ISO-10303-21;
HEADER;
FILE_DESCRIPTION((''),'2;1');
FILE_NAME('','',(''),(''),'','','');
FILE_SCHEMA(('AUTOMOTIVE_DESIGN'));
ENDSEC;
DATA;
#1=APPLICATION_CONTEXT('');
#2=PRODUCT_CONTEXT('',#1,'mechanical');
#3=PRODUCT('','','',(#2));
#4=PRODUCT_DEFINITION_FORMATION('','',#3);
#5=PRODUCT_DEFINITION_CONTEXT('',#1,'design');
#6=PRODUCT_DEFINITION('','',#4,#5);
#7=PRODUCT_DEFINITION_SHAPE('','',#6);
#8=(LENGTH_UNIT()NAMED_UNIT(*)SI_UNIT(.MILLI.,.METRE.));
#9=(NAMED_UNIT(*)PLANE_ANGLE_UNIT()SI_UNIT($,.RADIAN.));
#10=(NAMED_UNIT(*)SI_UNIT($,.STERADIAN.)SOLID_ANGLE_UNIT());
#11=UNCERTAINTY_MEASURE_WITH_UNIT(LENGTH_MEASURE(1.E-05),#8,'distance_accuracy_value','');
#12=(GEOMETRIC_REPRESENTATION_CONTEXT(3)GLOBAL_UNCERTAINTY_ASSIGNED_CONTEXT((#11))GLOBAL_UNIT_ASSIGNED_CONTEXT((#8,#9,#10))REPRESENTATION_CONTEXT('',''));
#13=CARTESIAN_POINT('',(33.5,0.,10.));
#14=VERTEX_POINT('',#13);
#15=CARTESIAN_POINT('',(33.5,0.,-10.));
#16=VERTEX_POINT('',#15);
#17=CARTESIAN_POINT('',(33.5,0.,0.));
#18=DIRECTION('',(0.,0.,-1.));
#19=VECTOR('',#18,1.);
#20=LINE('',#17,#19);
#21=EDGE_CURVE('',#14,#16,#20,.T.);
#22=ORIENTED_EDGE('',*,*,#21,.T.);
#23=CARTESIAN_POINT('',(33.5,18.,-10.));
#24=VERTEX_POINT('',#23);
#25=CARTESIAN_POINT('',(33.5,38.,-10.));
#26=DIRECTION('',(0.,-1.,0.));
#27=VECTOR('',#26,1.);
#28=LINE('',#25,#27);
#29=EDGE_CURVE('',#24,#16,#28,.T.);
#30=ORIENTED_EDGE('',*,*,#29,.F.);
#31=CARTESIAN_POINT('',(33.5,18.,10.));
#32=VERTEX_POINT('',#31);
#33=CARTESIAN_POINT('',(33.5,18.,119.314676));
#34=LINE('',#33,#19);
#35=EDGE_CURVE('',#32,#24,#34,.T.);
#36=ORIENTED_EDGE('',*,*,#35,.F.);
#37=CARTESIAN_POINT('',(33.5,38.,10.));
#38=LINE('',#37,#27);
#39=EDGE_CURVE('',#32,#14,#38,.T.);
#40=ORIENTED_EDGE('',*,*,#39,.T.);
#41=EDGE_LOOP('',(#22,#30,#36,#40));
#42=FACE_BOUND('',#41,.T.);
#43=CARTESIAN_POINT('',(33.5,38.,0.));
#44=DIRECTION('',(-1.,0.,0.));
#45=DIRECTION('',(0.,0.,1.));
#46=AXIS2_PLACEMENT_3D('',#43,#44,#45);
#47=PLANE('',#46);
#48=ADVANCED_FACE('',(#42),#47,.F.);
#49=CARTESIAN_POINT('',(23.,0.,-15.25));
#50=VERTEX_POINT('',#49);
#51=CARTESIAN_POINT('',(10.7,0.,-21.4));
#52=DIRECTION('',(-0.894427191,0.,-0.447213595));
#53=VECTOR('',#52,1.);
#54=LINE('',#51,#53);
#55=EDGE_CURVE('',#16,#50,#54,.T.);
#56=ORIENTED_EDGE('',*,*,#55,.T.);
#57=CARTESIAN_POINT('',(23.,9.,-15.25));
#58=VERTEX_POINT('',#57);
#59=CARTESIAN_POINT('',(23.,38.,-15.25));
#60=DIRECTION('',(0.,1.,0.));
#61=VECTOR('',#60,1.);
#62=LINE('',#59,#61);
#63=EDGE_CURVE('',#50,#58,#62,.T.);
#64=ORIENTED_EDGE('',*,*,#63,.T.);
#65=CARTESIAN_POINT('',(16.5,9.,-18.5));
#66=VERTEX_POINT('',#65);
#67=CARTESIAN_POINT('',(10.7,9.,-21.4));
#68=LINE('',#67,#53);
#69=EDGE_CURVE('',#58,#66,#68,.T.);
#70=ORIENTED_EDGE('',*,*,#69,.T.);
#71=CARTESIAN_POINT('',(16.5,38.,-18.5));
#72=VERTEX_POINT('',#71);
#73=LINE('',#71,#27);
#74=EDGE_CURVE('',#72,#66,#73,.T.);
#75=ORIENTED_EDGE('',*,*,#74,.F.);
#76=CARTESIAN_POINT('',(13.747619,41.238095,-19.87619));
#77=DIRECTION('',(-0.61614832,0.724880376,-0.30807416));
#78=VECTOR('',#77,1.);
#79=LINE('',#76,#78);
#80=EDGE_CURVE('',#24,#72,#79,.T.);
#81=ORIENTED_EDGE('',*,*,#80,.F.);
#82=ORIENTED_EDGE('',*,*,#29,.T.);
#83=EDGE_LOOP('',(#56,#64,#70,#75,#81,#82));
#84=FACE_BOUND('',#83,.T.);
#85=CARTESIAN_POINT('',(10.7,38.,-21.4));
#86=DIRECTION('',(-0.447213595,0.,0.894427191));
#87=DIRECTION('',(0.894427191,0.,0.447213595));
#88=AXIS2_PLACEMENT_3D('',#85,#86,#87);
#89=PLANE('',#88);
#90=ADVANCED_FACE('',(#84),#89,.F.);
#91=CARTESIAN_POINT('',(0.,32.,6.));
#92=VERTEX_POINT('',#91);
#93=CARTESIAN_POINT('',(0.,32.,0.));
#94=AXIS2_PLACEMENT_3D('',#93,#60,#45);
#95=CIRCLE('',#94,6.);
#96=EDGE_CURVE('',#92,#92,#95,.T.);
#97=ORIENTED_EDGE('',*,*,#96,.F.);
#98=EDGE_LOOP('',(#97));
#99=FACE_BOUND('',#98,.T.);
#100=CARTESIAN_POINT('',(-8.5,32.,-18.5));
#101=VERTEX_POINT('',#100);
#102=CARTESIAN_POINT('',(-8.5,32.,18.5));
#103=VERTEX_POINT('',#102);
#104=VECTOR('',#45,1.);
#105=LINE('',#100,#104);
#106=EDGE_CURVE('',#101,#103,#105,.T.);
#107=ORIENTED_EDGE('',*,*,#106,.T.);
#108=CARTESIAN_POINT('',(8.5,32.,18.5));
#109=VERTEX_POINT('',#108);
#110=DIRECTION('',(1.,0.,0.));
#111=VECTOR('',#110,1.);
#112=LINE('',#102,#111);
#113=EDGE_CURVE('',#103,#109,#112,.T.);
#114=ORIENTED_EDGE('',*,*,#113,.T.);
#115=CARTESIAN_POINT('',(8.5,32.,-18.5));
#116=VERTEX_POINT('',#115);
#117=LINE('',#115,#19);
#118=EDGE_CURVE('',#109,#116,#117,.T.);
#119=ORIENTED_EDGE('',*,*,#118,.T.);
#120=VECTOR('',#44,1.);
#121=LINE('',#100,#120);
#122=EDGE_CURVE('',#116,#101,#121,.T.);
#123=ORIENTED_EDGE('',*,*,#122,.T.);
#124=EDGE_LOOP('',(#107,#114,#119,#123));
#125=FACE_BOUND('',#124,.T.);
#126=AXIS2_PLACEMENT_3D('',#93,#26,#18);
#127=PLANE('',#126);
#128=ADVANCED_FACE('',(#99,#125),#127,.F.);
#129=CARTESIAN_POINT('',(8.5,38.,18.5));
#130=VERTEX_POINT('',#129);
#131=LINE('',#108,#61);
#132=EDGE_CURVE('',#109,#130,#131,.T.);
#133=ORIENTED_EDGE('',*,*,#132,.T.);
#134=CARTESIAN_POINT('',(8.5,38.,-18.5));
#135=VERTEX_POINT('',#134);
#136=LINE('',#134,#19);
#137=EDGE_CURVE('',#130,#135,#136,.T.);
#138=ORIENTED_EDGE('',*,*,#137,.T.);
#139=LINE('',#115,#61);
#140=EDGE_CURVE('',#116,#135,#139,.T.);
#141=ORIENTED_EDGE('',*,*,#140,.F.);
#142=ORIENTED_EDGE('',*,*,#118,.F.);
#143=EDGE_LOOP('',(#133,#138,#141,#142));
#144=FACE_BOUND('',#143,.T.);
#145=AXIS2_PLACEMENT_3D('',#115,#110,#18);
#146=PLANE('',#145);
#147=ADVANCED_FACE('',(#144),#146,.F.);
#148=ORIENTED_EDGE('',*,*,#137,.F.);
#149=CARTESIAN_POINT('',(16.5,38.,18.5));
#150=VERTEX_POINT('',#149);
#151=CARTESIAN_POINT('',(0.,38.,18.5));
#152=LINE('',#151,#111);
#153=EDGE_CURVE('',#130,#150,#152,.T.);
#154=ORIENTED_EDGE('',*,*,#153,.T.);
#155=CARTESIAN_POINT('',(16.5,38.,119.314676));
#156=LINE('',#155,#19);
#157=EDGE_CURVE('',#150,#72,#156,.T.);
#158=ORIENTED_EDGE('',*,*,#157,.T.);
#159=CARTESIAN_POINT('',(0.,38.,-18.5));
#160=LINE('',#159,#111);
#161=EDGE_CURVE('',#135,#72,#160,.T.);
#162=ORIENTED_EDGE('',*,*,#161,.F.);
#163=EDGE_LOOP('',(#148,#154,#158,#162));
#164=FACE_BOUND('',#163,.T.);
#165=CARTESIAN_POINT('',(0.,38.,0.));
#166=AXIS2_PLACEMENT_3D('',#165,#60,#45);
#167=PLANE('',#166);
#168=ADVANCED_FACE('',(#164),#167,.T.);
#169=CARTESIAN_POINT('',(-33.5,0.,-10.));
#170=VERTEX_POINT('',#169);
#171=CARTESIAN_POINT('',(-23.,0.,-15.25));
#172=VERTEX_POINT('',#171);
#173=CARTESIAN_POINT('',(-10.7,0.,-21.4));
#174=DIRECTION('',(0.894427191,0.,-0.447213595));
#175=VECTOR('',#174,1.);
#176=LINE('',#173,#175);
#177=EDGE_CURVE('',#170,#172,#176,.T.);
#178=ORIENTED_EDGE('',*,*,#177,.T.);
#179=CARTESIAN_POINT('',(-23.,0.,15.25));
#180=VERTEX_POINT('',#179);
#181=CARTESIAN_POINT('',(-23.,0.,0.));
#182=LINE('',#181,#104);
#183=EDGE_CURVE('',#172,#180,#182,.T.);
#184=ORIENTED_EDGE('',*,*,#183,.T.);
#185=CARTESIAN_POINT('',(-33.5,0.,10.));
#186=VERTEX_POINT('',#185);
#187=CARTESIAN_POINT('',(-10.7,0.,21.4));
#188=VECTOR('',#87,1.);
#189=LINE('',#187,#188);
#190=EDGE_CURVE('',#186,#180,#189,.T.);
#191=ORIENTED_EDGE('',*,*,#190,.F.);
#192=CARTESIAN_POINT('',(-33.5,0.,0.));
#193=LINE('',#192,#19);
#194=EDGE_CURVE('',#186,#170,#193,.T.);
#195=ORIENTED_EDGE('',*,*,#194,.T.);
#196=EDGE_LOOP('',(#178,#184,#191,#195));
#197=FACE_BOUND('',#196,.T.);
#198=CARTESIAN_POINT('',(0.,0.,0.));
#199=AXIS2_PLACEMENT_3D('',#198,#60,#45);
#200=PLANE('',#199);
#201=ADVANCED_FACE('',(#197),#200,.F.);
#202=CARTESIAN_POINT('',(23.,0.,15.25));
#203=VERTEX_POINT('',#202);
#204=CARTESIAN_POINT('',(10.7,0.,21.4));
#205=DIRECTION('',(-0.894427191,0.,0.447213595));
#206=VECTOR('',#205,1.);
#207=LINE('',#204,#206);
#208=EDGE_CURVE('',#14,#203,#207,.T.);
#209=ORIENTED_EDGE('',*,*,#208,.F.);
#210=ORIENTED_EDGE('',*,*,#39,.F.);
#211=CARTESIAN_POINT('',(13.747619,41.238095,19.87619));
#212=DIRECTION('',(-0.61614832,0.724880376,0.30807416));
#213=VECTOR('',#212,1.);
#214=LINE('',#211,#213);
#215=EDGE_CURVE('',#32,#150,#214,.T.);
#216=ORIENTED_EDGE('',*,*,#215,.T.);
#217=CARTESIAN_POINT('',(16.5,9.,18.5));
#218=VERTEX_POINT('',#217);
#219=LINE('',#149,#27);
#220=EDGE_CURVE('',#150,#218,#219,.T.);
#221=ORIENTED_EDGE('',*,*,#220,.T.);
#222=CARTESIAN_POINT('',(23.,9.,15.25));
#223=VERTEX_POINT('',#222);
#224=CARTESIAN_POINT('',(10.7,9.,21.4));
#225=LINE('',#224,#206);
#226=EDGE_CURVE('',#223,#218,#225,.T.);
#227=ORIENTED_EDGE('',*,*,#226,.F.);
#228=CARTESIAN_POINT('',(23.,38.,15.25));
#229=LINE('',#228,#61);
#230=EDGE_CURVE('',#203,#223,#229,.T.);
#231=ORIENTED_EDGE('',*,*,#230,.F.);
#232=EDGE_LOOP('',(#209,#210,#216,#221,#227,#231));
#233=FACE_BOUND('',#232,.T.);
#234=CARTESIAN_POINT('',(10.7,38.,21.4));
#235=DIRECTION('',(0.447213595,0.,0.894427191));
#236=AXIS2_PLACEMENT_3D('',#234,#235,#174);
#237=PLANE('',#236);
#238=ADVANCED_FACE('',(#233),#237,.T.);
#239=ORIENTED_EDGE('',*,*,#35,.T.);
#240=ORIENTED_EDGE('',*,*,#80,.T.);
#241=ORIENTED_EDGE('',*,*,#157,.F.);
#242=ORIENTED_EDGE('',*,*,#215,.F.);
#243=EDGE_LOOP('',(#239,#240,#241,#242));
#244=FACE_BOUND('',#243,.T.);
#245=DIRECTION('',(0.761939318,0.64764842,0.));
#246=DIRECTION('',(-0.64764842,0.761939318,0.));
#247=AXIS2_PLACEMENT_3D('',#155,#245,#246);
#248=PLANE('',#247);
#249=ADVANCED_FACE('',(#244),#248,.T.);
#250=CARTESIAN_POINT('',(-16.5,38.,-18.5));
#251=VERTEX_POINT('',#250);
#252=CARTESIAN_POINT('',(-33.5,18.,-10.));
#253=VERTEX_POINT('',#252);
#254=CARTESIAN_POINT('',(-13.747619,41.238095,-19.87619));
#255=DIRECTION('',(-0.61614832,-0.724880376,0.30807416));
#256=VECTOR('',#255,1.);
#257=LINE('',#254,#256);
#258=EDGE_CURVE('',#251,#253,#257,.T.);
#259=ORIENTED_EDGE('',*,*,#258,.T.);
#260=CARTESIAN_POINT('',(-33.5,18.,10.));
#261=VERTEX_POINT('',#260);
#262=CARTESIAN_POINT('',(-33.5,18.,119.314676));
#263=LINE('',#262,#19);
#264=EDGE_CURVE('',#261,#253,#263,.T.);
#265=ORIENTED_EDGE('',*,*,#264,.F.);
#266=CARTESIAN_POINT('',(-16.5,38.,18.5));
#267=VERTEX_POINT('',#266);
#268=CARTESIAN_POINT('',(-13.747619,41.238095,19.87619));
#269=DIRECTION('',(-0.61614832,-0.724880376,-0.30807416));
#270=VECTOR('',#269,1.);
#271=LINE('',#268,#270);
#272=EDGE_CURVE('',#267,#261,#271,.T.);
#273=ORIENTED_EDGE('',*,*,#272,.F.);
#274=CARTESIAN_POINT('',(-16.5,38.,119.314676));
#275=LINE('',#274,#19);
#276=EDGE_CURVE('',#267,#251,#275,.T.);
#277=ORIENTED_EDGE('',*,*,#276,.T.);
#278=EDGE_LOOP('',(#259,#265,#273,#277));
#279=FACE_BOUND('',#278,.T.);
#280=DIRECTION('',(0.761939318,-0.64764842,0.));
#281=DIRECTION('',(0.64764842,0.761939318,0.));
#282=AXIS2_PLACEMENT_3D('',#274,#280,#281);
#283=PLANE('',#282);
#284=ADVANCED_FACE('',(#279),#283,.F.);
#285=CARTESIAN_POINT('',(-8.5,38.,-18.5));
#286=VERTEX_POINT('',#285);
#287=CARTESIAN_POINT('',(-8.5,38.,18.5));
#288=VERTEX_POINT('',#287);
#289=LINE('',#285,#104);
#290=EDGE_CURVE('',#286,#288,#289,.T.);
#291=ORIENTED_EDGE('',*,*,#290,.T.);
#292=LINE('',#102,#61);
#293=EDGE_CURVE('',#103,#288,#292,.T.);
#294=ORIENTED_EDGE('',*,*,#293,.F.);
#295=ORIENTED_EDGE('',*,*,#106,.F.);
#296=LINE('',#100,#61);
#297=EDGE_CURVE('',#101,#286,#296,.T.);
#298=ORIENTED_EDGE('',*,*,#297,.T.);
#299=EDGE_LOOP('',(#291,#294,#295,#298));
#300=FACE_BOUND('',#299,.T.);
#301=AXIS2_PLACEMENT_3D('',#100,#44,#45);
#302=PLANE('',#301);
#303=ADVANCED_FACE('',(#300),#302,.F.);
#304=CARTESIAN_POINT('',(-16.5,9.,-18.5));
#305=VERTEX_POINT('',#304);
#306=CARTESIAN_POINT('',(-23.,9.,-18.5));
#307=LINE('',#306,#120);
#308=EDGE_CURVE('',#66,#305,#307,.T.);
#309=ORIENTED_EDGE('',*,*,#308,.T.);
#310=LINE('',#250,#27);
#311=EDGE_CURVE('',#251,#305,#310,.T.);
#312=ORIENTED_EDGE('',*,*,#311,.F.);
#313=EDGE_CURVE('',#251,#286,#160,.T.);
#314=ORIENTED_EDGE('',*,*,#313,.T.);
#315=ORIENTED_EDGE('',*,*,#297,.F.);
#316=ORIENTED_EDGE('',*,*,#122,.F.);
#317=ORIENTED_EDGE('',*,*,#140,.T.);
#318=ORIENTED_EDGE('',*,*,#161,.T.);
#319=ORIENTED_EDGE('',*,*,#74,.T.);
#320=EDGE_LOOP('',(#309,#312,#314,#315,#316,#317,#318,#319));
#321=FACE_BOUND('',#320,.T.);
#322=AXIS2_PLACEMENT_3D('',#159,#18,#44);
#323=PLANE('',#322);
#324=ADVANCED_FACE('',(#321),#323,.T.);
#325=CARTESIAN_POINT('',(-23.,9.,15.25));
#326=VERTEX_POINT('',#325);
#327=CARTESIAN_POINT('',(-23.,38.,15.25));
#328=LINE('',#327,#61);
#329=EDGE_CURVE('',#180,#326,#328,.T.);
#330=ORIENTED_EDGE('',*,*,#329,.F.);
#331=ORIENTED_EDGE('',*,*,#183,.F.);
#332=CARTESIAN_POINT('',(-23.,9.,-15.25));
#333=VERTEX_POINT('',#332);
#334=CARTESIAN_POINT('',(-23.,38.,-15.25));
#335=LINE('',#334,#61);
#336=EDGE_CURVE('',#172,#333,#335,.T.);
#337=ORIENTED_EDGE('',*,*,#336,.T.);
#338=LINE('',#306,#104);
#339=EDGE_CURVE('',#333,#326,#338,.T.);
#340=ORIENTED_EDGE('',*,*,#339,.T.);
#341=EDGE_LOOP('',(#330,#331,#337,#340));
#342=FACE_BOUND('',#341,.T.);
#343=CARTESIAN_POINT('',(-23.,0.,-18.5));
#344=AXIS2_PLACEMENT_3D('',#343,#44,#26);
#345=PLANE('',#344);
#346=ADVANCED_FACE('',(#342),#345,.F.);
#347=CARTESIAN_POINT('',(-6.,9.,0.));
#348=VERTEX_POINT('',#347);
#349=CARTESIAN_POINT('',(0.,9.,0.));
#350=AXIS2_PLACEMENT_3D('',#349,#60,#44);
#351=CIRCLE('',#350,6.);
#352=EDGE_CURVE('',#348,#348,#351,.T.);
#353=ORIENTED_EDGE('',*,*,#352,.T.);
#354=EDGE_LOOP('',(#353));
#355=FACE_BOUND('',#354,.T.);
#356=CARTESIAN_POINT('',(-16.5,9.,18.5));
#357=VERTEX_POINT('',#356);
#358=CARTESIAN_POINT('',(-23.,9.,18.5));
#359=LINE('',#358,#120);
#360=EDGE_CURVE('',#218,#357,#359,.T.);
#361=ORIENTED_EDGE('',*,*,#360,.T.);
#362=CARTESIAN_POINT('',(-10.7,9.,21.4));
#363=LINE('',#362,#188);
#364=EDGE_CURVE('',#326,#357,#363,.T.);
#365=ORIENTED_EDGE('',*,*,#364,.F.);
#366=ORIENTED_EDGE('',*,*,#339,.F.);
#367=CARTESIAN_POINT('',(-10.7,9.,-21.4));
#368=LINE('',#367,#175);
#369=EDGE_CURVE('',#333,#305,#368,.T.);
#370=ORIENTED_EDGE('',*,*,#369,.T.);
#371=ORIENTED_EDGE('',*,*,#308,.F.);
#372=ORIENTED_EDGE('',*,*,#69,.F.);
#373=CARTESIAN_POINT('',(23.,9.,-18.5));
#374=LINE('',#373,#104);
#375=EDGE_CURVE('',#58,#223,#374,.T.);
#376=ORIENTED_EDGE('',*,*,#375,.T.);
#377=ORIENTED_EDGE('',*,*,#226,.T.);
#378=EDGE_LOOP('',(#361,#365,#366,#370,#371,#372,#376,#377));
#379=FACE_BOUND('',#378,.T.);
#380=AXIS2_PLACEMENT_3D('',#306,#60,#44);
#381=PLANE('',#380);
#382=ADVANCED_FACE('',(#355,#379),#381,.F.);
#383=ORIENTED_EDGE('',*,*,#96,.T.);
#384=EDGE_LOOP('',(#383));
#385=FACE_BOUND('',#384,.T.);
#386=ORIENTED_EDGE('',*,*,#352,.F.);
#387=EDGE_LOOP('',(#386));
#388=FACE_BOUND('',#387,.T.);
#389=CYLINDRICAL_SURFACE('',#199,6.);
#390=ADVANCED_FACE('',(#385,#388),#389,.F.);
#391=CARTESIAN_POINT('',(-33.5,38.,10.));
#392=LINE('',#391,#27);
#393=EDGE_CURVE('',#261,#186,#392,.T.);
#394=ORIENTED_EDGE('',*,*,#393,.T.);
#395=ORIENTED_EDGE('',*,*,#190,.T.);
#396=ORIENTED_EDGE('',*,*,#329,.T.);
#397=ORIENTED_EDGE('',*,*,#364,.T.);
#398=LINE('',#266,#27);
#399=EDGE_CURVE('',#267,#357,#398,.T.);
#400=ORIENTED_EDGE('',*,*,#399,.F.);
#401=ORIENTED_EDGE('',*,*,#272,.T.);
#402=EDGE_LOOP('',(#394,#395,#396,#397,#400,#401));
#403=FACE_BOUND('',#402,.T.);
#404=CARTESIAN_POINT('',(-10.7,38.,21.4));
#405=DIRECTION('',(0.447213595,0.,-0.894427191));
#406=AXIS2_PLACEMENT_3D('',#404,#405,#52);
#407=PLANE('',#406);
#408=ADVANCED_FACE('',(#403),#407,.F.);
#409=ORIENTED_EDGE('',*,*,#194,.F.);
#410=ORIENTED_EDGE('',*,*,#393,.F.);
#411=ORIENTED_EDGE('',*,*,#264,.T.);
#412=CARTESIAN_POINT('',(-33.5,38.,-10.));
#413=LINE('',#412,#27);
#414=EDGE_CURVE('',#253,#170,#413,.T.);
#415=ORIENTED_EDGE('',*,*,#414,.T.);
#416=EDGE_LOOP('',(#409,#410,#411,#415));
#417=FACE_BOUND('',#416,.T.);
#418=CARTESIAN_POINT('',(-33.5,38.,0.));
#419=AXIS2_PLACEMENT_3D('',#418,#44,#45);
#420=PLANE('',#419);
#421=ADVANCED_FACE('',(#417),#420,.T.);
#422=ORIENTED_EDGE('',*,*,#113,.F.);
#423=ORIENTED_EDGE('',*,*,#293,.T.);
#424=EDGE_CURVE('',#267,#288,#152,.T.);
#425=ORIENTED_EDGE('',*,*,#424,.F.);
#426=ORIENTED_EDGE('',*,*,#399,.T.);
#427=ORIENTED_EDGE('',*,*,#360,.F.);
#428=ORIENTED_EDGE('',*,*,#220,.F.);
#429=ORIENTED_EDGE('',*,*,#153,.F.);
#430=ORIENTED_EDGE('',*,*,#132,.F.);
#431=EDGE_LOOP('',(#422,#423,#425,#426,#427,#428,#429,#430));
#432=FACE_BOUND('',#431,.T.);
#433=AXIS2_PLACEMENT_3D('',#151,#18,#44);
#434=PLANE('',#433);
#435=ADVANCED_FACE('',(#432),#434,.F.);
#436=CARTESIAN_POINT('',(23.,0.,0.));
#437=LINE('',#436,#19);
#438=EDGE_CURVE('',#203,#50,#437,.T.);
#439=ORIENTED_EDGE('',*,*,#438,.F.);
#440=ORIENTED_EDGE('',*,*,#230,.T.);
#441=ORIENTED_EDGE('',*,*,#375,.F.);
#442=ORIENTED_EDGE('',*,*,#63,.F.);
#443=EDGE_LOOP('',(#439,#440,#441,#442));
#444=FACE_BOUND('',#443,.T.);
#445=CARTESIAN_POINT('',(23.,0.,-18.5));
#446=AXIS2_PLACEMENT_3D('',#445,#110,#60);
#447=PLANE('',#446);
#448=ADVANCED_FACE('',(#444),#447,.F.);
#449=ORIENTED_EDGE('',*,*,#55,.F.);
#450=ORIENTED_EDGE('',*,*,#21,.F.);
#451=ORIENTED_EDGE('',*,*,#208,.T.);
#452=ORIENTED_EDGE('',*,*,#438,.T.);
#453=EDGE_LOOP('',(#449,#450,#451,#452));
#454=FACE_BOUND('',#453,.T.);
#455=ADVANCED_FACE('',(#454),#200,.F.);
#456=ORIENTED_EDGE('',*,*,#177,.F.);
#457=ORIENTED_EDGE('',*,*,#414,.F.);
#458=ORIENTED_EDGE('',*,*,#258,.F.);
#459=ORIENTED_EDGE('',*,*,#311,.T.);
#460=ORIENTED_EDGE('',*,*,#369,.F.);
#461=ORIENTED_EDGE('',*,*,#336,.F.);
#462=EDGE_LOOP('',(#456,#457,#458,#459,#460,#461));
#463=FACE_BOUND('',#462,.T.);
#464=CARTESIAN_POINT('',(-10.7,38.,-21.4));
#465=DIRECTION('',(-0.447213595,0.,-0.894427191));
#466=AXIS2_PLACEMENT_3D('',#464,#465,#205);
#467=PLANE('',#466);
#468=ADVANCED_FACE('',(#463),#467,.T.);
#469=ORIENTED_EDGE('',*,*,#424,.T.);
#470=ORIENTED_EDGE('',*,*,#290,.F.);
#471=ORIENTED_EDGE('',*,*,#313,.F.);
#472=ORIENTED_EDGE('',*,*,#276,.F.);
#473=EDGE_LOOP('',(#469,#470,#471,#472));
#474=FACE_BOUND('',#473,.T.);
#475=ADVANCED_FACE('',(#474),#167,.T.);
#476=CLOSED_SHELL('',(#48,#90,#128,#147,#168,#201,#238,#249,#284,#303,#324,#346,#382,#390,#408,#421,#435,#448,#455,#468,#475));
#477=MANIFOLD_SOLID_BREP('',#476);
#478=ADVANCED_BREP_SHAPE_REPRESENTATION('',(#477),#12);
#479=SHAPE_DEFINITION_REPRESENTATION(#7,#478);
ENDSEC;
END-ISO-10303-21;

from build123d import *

# Parameters (mm, degrees)
SKETCH_1_W               = 33
SKETCH_1_H               = 37
EXTRUDE_1_DEPTH          = 38
CUT_EXTRUDE_1_DEPTH      = 54.930510845
CUT_EXTRUDE_2_DEPTH      = 54.930510845
CUT_EXTRUDE_2_DEPTH_BACK = 54.930510845
SKETCH_3_W               = 46
SKETCH_3_H               = 9
SKETCH_4_W               = 17
SKETCH_4_H               = 37
CUT_EXTRUDE_3_DEPTH      = 6
SKETCH_5_R               = 6
CUT_EXTRUDE_4_DEPTH      = 50.884867445


with BuildPart() as part:
    # 草图1 → 凸台-拉伸1 (new body)
    with BuildSketch(Plane(origin=(0, 0, 0), x_dir=(1, 0, 0), z_dir=(0, 1, 0))):
        Polygon((-33.5, -10), (-33.5, 10), (-16.5, 18.5), (-16.5, -18.5), align=None)
        Rectangle(SKETCH_1_W, SKETCH_1_H)
        Polygon((33.5, -10), (16.5, -18.5), (16.5, 18.5), (33.5, 10), align=None)
    extrude(amount=EXTRUDE_1_DEPTH)

    # 草图2 → 切除-拉伸1 (cut, symmetric)
    with BuildSketch(Plane.XY):
        Polygon((-80.545432509, 152.17109707), (16.5, 38), (33.5, 18), (130.545432509, -96.17109707), (358.887626649, 97.919767949), (147.79676163, 346.261962088), align=None)
    cut_extrude_1 = extrude(amount=CUT_EXTRUDE_1_DEPTH, both=True, mode=Mode.SUBTRACT)

    # 镜向1: 切除-拉伸1 across plane
    add(cut_extrude_1.mirror(Plane(origin=(0, 0, 0), x_dir=(0, 0, 1), z_dir=(1, 0, 0))), mode=Mode.SUBTRACT)

    # 草图3 → 切除-拉伸2 (cut, two sides: drawn at the far end of the back side and taken through both)
    with BuildSketch(Plane.XY.offset(-CUT_EXTRUDE_2_DEPTH_BACK)):
        with Locations((0, 4.5)):
            Rectangle(SKETCH_3_W, SKETCH_3_H)
    extrude(amount=CUT_EXTRUDE_2_DEPTH + CUT_EXTRUDE_2_DEPTH_BACK, mode=Mode.SUBTRACT)

    # 草图4 → 切除-拉伸3 (cut)
    with BuildSketch(Plane(origin=(0, 38, 0), x_dir=(1, 0, 0), z_dir=(0, 1, 0))):
        Rectangle(SKETCH_4_W, SKETCH_4_H)
    extrude(amount=-CUT_EXTRUDE_3_DEPTH, mode=Mode.SUBTRACT)

    # 草图5 → 切除-拉伸4 (cut, through all)
    with BuildSketch(Plane(origin=(0, 32, 0), x_dir=(1, 0, 0), z_dir=(0, 1, 0))):
        with Locations(Location((0, 0, 0), (0, 0, 270))):
            Circle(SKETCH_5_R)
    extrude(amount=-CUT_EXTRUDE_4_DEPTH, mode=Mode.SUBTRACT)


solid = part.part
